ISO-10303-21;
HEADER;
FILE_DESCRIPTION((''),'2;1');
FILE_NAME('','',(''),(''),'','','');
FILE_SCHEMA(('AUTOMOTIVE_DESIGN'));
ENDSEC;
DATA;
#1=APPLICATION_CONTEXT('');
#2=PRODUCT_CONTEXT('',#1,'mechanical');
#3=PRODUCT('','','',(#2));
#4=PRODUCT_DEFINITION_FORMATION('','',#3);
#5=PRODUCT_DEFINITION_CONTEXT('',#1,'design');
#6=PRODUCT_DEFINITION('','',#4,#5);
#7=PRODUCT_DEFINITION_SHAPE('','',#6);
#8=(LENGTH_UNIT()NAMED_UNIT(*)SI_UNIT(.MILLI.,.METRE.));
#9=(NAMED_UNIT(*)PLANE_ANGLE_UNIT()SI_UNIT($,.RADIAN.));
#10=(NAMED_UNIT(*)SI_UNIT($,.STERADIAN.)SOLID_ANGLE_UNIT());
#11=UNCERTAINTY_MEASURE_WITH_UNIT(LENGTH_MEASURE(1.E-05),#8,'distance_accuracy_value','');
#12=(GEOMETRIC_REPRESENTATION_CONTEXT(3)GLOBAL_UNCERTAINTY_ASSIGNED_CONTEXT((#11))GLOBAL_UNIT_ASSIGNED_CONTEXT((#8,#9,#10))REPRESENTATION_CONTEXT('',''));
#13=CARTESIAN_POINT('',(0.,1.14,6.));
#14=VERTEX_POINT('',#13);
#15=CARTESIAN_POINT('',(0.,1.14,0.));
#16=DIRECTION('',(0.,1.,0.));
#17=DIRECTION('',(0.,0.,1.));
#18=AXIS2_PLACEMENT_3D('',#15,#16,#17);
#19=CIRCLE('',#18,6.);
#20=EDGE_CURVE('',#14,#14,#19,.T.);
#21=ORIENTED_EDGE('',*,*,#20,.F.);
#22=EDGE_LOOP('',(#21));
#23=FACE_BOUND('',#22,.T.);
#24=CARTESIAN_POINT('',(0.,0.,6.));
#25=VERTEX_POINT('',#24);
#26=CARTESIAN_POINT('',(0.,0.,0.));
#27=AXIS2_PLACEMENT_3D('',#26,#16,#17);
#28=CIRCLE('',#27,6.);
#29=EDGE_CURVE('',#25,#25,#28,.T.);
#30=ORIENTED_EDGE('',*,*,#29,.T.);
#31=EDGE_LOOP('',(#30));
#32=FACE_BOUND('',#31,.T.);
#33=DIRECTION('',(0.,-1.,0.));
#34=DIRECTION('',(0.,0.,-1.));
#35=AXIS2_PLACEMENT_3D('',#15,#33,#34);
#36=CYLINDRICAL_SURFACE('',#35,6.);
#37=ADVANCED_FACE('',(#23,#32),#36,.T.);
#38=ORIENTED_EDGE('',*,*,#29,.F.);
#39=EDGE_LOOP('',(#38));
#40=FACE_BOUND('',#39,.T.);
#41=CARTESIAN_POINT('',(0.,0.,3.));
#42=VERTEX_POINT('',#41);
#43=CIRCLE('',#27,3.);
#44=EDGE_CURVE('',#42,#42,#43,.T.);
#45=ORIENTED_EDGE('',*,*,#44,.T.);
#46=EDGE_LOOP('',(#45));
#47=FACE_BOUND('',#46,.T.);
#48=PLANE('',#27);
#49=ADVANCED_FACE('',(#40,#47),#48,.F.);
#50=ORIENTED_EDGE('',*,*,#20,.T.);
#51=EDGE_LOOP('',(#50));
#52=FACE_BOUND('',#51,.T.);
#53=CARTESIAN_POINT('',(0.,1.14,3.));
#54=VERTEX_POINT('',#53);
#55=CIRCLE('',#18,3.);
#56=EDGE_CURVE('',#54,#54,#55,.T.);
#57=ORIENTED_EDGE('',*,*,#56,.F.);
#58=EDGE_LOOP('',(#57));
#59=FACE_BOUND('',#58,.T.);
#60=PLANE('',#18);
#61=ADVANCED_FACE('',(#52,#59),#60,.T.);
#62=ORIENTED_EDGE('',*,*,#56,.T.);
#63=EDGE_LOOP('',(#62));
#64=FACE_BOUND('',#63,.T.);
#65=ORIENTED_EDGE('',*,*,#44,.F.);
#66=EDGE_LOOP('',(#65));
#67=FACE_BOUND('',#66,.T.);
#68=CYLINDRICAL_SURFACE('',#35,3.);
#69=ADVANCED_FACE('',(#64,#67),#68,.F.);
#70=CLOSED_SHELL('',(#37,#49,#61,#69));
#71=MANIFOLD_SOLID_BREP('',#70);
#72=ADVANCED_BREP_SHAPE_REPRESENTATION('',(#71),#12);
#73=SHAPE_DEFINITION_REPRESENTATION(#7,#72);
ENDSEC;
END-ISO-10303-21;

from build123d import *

# Parameters (mm, degrees)
SKETCH_1_R      = 6
SKETCH_1_R_2    = 3
EXTRUDE_1_DEPTH = 1.14


with BuildPart() as part:
    # Эскиз1 → Бобышка-Вытянуть1 (new body)
    with BuildSketch(Plane(origin=(0, 0, 0), x_dir=(1, 0, 0), z_dir=(0, 1, 0))):
        with Locations(Location((0, 0, 0), (0, 0, 270))):
            Circle(SKETCH_1_R)
        with Locations(Location((0, 0, 0), (0, 0, 270))):
            Circle(SKETCH_1_R_2, mode=Mode.SUBTRACT)
    extrude(amount=EXTRUDE_1_DEPTH)


solid = part.part
